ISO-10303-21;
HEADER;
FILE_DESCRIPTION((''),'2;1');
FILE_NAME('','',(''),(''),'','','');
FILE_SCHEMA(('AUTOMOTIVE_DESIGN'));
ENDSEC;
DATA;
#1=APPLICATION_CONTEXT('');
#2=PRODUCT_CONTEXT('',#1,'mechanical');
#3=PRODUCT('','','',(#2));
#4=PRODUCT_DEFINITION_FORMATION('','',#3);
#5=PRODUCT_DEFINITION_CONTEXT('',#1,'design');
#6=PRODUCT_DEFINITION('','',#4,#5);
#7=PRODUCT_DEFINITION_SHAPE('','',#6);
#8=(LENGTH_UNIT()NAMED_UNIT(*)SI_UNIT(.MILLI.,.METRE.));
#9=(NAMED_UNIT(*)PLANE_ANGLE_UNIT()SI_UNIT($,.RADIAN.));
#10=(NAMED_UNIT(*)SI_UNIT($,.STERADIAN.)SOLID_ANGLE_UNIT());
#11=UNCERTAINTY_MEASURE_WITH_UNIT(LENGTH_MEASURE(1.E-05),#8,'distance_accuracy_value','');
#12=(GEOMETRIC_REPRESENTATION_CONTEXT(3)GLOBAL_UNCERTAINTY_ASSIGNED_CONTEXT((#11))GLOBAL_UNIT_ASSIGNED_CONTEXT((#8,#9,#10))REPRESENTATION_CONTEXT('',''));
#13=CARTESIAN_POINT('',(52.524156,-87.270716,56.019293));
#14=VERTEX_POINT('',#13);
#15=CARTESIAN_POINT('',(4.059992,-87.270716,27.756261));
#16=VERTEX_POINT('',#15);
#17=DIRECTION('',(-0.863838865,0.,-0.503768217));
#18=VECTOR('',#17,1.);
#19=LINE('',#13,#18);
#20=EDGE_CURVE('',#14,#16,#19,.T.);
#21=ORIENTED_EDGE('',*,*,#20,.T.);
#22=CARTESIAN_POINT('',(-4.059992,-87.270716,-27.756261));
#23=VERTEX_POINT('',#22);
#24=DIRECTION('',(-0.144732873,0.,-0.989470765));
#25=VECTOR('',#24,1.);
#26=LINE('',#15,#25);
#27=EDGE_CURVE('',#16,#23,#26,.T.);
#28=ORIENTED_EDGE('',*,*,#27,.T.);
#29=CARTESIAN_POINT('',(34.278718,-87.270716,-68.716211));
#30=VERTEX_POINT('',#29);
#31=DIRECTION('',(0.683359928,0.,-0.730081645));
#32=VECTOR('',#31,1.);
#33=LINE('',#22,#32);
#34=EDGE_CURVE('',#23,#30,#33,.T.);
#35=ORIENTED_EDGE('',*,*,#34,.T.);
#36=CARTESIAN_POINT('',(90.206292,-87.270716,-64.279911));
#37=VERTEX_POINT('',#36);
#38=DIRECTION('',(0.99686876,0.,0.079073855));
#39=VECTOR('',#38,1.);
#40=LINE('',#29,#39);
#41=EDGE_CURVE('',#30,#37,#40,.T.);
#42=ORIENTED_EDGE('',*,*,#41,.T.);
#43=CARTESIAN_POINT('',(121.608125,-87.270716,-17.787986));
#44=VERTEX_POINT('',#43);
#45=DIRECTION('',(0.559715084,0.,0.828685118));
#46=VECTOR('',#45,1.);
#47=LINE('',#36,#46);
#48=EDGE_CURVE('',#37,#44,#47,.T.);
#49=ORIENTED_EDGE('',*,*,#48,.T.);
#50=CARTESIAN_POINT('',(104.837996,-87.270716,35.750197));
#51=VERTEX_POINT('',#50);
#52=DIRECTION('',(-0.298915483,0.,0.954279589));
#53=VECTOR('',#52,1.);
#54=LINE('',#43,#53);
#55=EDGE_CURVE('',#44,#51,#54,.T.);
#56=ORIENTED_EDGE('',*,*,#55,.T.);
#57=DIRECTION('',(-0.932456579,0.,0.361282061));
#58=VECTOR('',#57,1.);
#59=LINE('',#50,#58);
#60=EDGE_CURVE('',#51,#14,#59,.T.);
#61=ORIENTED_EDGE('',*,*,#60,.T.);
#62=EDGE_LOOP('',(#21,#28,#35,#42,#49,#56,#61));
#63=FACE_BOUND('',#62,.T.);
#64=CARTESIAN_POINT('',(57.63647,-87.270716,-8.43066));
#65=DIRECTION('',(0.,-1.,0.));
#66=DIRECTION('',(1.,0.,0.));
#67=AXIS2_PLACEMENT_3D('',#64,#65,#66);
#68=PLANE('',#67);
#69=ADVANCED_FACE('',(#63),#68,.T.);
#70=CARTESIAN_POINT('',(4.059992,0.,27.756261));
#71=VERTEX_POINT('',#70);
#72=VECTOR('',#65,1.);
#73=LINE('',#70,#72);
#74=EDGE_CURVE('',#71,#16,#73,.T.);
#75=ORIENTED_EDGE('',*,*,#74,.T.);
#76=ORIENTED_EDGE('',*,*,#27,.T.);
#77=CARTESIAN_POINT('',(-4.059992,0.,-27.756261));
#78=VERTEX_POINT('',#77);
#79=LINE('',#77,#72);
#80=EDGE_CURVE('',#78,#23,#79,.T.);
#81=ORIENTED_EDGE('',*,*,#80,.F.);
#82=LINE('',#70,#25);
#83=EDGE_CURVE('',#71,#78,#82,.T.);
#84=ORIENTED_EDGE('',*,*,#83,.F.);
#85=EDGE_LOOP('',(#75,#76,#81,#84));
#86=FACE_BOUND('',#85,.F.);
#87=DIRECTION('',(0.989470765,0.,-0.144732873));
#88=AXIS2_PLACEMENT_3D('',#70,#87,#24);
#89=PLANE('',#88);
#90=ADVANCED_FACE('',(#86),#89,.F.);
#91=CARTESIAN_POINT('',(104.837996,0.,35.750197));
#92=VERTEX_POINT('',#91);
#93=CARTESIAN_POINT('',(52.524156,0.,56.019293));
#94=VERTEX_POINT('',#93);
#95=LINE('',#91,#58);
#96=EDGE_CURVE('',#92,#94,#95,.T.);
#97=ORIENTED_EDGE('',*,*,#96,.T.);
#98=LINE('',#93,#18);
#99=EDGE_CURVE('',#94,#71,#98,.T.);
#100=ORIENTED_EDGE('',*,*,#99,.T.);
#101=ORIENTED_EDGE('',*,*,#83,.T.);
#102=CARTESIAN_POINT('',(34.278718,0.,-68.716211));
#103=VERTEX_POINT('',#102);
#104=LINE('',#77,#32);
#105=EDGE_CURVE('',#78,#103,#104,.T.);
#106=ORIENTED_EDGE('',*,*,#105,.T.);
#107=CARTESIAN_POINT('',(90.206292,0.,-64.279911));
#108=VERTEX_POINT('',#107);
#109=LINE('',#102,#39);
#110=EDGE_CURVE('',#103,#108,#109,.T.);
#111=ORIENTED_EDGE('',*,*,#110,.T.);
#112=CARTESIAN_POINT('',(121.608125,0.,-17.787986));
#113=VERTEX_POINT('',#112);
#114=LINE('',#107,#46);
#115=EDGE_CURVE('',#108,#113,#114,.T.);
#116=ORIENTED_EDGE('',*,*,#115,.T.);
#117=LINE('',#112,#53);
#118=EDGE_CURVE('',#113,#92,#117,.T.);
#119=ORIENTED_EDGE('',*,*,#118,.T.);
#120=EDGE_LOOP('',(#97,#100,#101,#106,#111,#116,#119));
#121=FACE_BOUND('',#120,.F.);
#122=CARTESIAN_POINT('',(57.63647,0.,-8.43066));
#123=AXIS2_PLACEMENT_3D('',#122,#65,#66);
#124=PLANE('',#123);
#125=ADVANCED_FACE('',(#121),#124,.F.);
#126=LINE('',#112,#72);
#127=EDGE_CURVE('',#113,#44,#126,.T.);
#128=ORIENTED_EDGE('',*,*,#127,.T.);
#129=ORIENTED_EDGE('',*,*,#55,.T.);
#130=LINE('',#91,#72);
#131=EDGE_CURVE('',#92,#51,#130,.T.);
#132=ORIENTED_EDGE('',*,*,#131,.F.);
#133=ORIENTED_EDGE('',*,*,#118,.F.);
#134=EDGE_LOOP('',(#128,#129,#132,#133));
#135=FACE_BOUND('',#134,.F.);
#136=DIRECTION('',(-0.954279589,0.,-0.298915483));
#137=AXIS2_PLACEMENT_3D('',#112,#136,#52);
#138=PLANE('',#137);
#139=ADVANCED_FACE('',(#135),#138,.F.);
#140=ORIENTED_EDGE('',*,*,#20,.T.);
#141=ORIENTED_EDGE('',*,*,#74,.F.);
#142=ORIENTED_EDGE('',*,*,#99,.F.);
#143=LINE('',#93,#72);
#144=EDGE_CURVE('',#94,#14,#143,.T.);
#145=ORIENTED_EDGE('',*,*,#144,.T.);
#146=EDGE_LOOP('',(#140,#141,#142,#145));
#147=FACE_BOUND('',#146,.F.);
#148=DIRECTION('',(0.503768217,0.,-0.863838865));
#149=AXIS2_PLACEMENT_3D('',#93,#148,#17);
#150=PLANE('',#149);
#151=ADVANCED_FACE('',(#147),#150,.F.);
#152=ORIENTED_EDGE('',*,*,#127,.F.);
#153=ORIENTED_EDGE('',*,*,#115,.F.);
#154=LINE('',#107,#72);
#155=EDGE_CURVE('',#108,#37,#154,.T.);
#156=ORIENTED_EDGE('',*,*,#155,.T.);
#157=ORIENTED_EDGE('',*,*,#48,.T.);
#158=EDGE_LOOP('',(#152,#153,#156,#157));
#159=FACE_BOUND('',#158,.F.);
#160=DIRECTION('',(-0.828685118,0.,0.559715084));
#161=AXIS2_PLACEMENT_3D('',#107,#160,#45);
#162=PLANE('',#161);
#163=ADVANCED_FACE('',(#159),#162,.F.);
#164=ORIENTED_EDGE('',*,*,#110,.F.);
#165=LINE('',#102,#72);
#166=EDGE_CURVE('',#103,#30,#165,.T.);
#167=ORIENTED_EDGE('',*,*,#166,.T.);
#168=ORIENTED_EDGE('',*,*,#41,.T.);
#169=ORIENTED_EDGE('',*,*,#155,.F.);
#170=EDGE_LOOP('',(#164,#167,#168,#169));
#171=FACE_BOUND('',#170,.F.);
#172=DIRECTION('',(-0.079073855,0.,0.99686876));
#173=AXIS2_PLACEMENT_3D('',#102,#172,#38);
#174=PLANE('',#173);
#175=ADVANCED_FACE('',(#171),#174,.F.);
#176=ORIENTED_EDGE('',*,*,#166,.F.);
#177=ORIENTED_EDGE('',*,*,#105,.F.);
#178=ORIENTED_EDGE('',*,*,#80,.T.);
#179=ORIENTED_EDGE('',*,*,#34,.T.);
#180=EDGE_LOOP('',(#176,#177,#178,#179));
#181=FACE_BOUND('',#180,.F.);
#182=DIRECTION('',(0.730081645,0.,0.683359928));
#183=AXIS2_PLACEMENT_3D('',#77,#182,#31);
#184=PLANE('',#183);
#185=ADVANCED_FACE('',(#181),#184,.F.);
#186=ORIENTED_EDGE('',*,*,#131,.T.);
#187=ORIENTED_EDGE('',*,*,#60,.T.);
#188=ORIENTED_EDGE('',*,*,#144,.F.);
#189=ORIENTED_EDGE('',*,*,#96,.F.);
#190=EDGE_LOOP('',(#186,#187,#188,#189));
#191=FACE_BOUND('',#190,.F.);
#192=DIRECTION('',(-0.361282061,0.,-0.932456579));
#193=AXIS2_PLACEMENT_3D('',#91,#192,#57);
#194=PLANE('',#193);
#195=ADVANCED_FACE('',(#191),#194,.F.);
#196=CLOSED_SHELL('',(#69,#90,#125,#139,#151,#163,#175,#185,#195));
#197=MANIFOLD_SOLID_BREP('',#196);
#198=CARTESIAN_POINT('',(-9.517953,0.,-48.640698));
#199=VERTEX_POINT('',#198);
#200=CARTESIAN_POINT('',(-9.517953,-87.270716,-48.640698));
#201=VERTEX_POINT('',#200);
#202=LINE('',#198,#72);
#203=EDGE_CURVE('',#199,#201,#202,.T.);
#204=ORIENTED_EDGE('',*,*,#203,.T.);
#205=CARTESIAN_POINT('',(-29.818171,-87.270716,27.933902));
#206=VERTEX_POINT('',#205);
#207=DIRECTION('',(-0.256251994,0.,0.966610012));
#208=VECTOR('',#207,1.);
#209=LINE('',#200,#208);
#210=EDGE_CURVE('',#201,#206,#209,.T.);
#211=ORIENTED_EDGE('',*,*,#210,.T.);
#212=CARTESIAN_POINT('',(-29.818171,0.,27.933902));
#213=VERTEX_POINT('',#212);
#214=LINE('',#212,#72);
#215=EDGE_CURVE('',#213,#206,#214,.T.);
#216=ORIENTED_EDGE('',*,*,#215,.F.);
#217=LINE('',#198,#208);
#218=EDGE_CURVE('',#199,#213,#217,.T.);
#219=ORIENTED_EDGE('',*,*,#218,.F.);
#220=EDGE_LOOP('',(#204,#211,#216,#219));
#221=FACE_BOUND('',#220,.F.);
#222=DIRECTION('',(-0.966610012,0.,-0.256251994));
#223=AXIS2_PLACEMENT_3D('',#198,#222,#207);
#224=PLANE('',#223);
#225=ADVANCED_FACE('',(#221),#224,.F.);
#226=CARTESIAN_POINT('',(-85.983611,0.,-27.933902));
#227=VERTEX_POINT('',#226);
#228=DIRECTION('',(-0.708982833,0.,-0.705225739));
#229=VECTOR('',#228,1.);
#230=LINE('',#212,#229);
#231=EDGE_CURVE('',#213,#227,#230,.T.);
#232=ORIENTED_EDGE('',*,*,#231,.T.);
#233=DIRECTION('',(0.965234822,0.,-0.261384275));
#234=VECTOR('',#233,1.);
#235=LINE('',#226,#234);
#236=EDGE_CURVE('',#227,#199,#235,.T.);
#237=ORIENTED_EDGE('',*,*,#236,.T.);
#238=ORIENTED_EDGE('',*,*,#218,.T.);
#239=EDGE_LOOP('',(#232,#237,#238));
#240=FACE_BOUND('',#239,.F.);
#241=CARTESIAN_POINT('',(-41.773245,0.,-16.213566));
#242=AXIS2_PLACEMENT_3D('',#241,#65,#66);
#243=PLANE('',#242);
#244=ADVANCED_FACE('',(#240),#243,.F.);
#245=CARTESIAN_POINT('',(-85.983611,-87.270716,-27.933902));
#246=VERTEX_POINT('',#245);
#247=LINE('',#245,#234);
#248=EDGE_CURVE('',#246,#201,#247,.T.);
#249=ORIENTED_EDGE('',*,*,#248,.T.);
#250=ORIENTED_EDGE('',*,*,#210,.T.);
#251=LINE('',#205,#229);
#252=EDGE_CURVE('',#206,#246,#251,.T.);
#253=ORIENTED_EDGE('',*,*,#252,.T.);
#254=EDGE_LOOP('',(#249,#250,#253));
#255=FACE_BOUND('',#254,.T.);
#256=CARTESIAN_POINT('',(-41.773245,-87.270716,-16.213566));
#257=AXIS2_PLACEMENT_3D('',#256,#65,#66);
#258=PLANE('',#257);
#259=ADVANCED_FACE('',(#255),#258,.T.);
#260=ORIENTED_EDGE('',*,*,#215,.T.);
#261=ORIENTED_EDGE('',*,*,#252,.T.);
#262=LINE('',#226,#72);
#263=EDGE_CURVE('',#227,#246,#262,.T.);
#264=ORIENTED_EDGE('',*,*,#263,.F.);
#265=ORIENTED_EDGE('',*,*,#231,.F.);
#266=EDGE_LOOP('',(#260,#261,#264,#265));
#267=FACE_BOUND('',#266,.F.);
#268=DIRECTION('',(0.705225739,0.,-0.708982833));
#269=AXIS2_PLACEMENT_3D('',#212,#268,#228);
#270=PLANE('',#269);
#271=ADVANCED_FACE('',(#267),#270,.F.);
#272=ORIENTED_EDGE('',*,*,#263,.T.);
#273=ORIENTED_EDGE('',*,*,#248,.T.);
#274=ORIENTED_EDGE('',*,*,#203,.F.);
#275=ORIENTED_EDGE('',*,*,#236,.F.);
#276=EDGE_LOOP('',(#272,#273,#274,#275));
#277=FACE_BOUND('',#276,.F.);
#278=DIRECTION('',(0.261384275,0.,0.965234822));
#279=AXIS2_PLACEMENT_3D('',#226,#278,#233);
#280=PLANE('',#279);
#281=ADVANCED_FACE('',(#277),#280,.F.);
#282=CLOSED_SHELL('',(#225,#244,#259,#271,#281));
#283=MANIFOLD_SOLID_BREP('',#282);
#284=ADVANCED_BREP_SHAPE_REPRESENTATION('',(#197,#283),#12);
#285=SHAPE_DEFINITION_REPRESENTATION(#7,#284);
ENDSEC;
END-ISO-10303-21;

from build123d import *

# Parameters (mm, degrees)
F1_DEPTH = 87.270716


with BuildPart() as f1:
    # F0 (on Front) → F1 (new body)
    with BuildSketch(Plane.XZ):
        Polygon((4.059992, 27.756261), (-4.059992, -27.756261), (34.278718, -68.716211), (90.206292, -64.279911), (121.608125, -17.787986), (104.837996, 35.750197), (52.524156, 56.019293), align=None)
        Polygon((-29.818171, 27.933902), (-85.983611, -27.933902), (-9.517953, -48.640698), align=None)
    extrude(amount=F1_DEPTH)


solid = f1.part
